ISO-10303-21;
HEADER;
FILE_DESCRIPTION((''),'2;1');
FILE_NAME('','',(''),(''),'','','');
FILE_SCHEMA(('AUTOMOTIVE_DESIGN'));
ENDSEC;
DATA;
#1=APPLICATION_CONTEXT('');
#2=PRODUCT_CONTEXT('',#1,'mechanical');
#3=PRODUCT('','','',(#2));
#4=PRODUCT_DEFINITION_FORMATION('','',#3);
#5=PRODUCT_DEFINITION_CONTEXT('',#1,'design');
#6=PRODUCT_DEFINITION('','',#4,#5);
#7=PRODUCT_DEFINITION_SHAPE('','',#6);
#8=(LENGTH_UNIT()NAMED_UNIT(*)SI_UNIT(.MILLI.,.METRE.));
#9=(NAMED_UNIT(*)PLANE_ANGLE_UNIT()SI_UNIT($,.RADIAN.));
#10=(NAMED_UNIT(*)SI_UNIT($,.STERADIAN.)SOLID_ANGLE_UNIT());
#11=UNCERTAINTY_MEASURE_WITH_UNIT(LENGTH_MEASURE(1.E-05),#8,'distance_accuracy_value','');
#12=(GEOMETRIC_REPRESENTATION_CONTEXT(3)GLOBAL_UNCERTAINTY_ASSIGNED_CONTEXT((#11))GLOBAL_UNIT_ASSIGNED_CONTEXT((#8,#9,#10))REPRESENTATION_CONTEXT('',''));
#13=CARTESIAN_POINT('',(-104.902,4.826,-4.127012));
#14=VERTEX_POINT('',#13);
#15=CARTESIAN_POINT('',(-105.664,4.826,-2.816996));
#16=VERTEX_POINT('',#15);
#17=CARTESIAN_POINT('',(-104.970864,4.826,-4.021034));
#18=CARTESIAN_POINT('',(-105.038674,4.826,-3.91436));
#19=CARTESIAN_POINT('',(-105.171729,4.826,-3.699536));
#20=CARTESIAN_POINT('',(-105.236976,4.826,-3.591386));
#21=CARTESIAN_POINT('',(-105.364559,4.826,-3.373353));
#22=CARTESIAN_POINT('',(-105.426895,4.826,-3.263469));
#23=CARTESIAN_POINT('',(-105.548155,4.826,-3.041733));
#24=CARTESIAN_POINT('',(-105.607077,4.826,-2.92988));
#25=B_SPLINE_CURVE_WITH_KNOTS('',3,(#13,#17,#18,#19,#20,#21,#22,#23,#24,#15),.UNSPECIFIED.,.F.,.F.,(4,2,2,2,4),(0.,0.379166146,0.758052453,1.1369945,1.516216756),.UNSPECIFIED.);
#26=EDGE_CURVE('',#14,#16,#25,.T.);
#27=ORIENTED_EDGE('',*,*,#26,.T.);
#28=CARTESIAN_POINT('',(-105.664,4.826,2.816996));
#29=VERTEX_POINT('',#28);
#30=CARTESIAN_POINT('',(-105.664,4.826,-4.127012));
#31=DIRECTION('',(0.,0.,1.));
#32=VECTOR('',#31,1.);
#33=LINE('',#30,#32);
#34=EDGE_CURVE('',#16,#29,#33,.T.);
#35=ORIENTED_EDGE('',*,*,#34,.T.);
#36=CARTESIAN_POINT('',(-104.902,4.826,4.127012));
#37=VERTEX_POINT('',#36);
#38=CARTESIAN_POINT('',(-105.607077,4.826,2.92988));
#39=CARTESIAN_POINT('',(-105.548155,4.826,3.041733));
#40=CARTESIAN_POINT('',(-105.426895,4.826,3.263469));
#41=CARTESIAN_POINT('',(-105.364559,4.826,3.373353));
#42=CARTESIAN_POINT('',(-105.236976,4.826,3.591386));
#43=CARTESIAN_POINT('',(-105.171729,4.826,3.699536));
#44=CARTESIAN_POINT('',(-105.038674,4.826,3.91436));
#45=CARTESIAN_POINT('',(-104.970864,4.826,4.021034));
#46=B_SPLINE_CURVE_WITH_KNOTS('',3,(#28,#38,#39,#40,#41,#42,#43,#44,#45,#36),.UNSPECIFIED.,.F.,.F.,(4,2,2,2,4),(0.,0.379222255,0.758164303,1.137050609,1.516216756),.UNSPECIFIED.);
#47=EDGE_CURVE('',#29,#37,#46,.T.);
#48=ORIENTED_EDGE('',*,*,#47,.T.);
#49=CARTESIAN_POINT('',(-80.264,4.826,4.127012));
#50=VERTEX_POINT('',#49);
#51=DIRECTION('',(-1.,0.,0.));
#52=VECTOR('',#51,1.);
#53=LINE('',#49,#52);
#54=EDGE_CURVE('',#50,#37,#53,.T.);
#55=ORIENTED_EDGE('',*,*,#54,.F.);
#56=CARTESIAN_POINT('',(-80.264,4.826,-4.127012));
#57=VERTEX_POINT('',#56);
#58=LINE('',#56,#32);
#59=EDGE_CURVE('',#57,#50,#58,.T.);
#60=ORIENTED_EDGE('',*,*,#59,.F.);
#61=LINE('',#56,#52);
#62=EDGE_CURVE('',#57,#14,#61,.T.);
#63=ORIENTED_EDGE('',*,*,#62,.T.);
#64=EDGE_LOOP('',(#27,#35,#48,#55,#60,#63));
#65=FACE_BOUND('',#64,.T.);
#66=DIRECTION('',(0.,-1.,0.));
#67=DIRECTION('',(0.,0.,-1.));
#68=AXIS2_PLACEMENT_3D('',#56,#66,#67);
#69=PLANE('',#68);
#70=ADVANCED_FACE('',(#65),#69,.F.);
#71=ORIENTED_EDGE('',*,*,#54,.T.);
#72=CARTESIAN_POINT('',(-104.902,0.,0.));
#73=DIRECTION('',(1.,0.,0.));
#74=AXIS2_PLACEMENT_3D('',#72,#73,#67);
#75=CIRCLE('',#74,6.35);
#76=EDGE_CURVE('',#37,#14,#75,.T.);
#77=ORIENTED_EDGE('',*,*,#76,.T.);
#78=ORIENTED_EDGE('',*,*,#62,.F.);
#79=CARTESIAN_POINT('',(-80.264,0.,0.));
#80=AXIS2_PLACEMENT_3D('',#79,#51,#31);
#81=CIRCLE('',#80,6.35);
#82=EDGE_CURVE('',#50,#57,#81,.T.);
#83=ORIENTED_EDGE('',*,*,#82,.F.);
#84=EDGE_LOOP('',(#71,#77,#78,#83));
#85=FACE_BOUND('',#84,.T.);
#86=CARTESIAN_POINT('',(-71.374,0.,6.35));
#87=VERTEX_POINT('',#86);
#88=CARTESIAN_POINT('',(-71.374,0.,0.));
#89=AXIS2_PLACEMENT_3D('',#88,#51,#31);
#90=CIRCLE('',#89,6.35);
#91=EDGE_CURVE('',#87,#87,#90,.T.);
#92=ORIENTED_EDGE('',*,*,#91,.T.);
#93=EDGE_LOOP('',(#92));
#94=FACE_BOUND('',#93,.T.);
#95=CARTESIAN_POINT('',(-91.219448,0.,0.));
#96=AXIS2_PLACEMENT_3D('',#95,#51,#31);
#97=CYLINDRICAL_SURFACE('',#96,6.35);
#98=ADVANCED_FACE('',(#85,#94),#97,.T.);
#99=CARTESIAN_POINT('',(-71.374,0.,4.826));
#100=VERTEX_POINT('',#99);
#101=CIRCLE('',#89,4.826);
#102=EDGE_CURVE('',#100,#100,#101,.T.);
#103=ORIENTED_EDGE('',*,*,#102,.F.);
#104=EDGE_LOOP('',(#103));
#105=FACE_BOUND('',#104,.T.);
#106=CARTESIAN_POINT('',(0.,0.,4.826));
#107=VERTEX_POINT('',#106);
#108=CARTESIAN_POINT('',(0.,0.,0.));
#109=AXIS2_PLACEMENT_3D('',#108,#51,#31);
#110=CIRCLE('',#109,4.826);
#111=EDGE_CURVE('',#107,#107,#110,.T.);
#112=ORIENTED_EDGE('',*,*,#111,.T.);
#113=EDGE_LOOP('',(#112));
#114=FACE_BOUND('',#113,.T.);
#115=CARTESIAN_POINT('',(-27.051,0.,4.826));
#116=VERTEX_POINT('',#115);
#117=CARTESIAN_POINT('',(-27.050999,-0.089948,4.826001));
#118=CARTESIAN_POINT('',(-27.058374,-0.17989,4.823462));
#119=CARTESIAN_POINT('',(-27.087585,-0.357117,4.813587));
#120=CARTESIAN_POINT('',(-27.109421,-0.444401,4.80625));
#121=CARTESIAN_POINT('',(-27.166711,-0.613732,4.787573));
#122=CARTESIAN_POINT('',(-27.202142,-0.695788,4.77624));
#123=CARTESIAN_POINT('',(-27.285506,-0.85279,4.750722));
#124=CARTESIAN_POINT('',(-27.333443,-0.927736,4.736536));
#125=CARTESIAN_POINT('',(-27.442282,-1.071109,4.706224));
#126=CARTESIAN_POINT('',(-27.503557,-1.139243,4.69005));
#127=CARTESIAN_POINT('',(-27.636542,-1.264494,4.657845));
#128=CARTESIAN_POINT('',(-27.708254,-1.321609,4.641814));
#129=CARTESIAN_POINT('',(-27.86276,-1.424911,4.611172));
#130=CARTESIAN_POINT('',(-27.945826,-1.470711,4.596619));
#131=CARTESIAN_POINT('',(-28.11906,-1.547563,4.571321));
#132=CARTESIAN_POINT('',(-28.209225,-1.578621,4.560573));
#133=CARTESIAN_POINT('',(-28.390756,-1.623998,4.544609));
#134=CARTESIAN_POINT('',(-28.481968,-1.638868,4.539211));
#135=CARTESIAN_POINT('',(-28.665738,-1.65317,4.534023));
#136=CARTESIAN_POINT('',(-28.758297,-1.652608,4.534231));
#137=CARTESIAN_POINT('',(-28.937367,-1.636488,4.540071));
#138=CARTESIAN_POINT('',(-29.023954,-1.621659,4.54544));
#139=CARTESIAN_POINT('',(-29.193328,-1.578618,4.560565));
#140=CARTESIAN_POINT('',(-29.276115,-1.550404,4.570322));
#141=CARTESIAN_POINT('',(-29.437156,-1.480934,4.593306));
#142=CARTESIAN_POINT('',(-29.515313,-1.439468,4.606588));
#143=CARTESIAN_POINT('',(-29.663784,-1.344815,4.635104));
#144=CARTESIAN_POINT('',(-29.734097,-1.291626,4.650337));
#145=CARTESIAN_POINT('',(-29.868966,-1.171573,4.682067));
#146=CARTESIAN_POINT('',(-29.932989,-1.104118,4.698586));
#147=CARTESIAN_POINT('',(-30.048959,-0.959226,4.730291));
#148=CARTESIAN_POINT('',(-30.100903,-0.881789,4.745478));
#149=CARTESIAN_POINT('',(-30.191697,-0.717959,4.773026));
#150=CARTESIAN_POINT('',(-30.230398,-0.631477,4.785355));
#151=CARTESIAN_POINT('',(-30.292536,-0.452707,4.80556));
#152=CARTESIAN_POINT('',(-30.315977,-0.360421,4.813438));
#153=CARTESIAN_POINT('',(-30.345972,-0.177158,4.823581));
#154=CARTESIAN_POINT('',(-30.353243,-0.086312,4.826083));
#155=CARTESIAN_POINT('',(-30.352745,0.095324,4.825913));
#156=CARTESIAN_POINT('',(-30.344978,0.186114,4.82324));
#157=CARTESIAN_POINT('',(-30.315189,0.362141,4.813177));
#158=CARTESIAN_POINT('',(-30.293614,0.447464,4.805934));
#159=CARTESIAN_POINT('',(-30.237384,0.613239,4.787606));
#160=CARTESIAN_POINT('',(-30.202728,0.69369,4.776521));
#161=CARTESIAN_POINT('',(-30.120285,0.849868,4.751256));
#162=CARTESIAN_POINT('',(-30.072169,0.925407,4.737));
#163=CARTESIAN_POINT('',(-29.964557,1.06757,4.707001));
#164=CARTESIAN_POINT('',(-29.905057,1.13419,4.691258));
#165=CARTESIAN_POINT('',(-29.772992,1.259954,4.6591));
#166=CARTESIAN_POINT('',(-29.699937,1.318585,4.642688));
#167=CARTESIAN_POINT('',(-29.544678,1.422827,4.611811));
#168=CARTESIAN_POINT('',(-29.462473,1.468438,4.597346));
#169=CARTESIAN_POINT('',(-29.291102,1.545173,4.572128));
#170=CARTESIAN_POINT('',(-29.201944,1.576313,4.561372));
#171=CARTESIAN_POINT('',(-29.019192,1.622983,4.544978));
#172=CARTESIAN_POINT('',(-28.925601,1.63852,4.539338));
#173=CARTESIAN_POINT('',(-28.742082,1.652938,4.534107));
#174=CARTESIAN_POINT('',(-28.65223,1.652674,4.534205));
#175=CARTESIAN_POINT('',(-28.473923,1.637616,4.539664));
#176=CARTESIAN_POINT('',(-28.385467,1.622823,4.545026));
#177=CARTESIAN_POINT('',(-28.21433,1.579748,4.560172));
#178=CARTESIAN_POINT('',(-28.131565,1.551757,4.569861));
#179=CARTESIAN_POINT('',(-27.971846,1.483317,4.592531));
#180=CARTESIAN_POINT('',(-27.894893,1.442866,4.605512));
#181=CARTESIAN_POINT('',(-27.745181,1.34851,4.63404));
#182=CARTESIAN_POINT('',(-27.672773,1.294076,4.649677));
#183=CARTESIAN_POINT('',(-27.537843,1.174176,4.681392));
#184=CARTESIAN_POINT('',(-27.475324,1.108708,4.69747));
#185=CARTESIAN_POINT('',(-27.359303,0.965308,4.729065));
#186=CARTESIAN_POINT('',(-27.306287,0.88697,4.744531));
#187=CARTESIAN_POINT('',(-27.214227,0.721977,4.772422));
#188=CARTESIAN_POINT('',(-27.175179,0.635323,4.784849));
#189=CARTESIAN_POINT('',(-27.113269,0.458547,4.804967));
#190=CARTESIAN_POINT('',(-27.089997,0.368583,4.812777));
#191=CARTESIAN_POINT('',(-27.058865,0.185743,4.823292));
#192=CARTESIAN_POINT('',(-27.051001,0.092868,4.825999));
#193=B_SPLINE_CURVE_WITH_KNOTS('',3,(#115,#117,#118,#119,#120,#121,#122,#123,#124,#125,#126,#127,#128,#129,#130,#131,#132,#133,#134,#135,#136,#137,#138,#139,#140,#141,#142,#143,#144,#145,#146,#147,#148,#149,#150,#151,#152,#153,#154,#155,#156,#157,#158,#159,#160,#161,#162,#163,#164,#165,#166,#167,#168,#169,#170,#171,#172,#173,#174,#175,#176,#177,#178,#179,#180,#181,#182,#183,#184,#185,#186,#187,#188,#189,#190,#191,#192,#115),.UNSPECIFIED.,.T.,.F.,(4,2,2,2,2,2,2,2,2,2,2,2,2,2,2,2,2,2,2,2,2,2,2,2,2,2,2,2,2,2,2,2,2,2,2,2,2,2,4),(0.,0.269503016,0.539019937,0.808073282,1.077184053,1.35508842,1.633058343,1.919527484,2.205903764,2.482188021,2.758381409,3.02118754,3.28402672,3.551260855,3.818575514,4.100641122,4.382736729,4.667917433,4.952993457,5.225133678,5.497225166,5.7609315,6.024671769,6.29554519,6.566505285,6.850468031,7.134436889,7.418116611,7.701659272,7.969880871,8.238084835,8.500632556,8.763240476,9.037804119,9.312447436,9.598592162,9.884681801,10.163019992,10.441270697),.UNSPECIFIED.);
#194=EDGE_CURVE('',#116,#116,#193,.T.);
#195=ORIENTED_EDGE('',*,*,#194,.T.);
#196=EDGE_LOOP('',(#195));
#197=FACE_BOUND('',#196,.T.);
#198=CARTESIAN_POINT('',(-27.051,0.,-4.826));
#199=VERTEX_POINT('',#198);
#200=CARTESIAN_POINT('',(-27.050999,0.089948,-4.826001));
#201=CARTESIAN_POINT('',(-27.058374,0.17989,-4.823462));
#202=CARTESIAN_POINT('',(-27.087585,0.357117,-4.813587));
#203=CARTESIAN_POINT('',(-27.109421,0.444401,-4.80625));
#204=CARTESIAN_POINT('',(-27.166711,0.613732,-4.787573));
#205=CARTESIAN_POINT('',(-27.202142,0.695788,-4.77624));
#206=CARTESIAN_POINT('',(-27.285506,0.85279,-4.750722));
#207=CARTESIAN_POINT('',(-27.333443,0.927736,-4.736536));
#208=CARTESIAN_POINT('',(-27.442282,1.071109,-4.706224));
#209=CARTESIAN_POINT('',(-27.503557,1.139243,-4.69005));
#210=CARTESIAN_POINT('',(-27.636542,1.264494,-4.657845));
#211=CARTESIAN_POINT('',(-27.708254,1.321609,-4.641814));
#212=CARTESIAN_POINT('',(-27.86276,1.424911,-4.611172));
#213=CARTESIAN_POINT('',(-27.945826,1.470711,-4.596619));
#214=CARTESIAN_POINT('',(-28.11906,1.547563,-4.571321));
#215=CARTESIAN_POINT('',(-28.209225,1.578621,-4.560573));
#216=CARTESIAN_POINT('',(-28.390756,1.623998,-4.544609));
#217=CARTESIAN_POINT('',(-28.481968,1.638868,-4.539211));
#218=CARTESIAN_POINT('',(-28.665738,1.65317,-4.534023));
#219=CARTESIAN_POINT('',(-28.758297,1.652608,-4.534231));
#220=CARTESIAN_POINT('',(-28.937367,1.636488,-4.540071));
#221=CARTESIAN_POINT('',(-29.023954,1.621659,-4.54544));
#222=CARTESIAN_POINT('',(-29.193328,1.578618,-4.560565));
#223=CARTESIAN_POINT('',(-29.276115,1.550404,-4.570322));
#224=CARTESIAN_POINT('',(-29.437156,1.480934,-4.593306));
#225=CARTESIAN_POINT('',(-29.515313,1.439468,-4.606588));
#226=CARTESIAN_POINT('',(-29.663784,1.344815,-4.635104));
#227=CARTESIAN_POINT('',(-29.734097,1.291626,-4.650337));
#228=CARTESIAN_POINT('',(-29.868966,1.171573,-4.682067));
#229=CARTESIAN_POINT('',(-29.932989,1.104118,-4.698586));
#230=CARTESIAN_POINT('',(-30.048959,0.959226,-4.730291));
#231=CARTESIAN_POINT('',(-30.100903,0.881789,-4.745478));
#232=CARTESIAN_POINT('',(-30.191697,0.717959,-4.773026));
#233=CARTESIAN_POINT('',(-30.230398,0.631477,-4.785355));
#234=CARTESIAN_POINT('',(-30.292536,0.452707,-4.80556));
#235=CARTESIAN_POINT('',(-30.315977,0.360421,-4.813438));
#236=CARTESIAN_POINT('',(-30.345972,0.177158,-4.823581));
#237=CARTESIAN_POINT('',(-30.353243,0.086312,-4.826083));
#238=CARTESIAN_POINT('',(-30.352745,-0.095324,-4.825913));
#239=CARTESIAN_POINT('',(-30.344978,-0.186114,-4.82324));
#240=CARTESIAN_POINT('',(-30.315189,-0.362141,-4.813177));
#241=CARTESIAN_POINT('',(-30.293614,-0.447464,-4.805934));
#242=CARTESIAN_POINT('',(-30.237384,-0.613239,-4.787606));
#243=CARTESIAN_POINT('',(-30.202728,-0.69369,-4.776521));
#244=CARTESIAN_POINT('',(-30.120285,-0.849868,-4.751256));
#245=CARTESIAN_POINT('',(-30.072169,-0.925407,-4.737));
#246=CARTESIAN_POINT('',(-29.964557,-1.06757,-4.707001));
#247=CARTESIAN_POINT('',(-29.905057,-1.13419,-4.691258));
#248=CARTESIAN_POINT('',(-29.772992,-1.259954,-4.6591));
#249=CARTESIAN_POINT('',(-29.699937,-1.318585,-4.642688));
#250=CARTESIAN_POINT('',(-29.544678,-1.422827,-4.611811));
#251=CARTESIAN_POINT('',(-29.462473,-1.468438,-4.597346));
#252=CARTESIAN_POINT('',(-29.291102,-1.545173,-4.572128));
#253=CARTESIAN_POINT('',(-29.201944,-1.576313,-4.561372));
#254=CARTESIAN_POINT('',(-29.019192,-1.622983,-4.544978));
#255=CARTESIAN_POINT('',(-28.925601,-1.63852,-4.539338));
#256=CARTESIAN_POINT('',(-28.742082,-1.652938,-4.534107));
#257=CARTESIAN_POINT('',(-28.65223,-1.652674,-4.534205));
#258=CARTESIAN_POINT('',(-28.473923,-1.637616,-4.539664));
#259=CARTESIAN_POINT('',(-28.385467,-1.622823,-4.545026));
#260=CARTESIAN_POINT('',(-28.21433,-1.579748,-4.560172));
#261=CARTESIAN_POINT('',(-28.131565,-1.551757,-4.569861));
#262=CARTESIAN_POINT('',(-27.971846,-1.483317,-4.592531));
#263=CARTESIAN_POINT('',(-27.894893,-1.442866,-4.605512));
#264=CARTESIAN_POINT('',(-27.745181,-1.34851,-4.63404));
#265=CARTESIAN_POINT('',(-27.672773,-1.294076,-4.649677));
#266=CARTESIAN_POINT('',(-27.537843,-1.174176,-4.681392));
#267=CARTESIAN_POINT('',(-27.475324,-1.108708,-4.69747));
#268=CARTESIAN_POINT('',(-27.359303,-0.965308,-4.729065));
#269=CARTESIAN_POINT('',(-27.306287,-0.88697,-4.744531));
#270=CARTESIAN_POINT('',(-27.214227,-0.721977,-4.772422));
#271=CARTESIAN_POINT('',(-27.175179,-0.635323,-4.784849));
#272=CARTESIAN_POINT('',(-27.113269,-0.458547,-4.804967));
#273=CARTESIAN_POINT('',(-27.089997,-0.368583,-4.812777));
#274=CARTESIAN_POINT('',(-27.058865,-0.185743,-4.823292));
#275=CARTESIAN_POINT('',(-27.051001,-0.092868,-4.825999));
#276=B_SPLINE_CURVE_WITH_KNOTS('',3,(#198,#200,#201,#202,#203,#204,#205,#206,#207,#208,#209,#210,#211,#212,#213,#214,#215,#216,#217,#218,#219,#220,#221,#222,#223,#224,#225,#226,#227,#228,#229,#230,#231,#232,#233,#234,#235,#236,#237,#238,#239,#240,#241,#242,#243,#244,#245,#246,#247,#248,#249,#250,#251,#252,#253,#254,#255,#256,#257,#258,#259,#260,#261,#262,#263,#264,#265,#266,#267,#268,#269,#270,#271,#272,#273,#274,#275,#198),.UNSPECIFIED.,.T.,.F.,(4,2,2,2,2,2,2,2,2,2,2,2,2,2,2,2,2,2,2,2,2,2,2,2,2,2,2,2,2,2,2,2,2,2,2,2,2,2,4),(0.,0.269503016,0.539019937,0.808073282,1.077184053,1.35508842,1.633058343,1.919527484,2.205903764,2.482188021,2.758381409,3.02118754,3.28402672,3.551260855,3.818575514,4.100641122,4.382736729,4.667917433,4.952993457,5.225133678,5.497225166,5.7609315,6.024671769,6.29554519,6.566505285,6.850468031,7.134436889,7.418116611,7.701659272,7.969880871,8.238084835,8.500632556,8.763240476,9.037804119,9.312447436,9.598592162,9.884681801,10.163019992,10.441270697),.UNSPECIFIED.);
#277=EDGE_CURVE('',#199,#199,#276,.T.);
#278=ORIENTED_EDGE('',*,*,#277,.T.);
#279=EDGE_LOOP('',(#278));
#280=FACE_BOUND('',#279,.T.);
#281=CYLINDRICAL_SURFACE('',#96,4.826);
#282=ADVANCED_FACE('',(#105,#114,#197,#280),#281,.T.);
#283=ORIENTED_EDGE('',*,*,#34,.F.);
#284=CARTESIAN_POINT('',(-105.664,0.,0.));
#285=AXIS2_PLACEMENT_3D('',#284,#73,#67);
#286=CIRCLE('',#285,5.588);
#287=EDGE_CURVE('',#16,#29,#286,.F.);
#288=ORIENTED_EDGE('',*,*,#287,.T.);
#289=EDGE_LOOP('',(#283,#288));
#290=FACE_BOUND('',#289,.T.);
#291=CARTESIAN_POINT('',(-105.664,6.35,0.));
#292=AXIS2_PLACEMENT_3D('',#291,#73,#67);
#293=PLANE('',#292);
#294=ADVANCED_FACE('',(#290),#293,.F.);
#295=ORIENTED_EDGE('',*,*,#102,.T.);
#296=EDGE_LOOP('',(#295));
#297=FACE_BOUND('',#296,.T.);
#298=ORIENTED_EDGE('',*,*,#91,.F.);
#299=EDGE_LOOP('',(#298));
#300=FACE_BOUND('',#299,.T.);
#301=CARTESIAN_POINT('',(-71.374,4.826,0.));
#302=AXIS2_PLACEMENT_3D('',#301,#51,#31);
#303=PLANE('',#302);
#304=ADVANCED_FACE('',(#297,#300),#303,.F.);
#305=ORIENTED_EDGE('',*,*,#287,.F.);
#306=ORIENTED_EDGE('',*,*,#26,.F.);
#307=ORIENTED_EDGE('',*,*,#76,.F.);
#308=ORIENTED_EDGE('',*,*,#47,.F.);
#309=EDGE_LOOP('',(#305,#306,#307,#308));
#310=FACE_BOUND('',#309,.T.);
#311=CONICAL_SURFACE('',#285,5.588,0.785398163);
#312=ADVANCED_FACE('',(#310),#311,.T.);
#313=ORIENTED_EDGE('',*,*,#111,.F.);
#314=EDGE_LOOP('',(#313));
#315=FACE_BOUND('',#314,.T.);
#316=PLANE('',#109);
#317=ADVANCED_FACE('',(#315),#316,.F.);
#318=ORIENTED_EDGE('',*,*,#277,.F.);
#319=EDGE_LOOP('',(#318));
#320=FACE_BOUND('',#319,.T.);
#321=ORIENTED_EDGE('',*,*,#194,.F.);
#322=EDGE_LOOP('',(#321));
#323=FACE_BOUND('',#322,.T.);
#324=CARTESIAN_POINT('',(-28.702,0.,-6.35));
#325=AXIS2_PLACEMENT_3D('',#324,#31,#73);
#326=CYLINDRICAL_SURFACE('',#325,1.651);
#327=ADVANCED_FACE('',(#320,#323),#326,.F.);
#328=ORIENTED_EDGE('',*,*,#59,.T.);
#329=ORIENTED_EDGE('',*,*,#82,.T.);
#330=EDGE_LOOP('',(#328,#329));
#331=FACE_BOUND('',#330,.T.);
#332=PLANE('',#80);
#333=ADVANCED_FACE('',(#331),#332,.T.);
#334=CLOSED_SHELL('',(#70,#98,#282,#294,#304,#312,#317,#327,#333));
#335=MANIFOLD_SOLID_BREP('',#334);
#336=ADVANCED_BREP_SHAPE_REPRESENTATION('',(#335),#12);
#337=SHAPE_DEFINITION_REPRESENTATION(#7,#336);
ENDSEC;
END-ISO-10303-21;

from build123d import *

# Parameters (mm, degrees)
CUT_EXTRUDE1_DEPTH      = 107.044923952
CUT_EXTRUDE1_DEPTH_BACK = 107.044923952
SKETCH2_R               = 1.651
CUT_EXTRUDE2_DEPTH      = 25.4
CHAMFER1_SIZE           = 0.762


with BuildPart() as part:
    # Sketch1 → Revolve1 (revolve)
    with BuildSketch(Plane.XY, mode=Mode.PRIVATE) as revolve1_sk:
        Polygon((0, 0), (0, 4.826), (-71.374, 4.826), (-71.374, 6.35), (-105.664, 6.35), (-105.664, 0), align=None)
    revolve(revolve1_sk.sketch.rotate(Axis((-91.219448406, 0, 0), (1, 0, 0)), 90), axis=Axis((-91.219448406, 0, 0), (1, 0, 0)))

    # Sketch2 → Cut-Extrude1 (cut, two sides: drawn at the far end of the back side and taken through both)
    with BuildSketch(Plane.XY.offset(-CUT_EXTRUDE1_DEPTH_BACK)):
        with Locations((-28.702, 0)):
            Circle(SKETCH2_R)
    extrude(amount=CUT_EXTRUDE1_DEPTH + CUT_EXTRUDE1_DEPTH_BACK, mode=Mode.SUBTRACT)

    # Sketch4 → Cut-Extrude2 (cut)
    with BuildSketch(Plane.ZY.offset(105.664)):
        with BuildLine():
            Line((-4.12701151, 4.826), (4.12701151, 4.826))
            ThreePointArc((4.12701151, 4.826), (0, 6.35), (-4.12701151, 4.826))
        make_face()
    extrude(amount=-CUT_EXTRUDE2_DEPTH, mode=Mode.SUBTRACT)

    # Chamfer1
    chamfer1_edges = [part.edges().sort_by_distance(p)[0] for p in [
        (-105.664, -5.76753947, -2.656687497),
    ]]
    chamfer(chamfer1_edges, length=CHAMFER1_SIZE)


solid = part.part
